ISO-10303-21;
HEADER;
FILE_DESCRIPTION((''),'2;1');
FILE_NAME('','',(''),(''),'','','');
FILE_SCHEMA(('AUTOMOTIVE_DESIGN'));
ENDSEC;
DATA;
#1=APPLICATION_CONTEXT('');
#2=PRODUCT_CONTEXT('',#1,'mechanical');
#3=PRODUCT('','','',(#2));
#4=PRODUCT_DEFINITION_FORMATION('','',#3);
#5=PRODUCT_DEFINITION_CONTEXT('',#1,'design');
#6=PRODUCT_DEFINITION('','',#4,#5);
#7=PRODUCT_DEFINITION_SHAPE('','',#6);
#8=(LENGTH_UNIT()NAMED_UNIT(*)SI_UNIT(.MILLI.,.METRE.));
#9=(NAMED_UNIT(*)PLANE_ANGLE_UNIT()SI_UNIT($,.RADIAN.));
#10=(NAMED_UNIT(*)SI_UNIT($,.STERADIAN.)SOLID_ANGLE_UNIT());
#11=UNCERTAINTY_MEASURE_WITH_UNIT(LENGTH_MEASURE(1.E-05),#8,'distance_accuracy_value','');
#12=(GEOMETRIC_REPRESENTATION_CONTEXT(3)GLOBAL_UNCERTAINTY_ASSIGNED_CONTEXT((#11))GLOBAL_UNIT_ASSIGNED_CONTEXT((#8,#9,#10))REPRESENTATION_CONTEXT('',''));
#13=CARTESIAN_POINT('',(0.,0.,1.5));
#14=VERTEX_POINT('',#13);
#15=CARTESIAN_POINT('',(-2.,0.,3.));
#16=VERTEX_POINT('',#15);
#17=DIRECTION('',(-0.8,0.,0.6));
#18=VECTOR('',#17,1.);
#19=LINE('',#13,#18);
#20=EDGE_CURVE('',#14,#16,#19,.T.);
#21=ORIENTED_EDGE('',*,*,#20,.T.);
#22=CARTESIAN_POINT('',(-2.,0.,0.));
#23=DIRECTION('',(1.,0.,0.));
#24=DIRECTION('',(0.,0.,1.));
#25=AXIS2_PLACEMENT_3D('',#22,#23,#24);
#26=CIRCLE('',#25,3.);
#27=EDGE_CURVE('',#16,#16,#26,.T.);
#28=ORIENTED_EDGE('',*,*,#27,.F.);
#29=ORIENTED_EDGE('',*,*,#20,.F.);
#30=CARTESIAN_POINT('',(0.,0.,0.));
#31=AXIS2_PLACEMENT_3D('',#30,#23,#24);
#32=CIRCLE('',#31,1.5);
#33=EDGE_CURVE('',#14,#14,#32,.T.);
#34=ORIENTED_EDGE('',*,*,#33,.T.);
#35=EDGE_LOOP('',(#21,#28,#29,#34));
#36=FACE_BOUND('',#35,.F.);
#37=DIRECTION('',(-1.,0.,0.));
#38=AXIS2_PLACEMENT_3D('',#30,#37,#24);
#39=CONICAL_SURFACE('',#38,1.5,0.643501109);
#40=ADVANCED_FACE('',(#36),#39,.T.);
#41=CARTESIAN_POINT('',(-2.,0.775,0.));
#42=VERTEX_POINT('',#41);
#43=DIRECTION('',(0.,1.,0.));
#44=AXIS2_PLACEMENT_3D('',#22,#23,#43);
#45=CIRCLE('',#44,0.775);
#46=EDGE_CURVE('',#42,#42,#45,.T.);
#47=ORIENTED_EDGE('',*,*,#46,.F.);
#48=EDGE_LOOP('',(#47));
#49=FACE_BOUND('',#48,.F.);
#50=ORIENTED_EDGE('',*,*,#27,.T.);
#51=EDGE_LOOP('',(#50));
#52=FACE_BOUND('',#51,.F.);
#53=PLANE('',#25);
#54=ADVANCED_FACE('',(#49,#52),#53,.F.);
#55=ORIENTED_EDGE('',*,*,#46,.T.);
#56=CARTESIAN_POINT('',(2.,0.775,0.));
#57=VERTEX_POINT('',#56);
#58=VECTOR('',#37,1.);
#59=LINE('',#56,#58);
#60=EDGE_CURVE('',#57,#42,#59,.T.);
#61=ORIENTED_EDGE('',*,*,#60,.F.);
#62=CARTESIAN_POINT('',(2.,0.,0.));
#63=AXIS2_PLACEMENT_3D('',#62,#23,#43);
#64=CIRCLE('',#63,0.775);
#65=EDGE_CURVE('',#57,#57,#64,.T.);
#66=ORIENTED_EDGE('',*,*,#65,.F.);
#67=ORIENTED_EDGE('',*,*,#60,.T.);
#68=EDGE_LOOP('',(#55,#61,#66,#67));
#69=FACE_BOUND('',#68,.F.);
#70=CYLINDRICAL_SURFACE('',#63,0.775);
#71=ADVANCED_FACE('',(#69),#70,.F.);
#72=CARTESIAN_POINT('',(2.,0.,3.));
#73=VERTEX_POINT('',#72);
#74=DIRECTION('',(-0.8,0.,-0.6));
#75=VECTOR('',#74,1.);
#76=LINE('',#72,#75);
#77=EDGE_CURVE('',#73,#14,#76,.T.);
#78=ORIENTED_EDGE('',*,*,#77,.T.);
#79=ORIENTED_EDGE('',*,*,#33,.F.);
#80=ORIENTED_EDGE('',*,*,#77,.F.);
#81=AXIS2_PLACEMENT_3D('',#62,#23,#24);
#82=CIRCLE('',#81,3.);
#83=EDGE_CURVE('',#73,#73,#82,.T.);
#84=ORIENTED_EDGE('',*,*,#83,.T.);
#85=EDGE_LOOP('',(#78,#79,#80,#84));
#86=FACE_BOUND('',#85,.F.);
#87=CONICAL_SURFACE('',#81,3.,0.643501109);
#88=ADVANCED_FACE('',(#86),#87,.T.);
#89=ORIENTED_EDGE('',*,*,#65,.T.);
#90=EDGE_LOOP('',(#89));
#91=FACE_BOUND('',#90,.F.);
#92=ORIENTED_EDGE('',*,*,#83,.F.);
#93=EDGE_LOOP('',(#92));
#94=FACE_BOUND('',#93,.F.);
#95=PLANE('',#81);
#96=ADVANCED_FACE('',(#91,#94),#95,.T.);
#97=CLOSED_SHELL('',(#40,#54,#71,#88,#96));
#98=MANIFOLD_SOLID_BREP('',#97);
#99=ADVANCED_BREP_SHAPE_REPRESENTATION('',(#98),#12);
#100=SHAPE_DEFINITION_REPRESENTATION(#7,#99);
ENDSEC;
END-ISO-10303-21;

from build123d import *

# Parameters (mm, degrees)
F2_R     = 0.775
F3_DEPTH = 25


with BuildPart() as f1:
    # F0 (on Front) → F1 (revolve)
    with BuildSketch(Plane.XZ):
        Polygon((-2, 0), (2, 0), (2, 3), (0, 1.5), (-2, 3), align=None)
    revolve(axis=Axis((0, 0, 0), (1, 0, 0)))

    # F2 (on face) → F3 (cut)
    with BuildSketch(Plane.YZ.offset(2)):
        Circle(F2_R)
    extrude(amount=-F3_DEPTH, mode=Mode.SUBTRACT)


solid = f1.part
